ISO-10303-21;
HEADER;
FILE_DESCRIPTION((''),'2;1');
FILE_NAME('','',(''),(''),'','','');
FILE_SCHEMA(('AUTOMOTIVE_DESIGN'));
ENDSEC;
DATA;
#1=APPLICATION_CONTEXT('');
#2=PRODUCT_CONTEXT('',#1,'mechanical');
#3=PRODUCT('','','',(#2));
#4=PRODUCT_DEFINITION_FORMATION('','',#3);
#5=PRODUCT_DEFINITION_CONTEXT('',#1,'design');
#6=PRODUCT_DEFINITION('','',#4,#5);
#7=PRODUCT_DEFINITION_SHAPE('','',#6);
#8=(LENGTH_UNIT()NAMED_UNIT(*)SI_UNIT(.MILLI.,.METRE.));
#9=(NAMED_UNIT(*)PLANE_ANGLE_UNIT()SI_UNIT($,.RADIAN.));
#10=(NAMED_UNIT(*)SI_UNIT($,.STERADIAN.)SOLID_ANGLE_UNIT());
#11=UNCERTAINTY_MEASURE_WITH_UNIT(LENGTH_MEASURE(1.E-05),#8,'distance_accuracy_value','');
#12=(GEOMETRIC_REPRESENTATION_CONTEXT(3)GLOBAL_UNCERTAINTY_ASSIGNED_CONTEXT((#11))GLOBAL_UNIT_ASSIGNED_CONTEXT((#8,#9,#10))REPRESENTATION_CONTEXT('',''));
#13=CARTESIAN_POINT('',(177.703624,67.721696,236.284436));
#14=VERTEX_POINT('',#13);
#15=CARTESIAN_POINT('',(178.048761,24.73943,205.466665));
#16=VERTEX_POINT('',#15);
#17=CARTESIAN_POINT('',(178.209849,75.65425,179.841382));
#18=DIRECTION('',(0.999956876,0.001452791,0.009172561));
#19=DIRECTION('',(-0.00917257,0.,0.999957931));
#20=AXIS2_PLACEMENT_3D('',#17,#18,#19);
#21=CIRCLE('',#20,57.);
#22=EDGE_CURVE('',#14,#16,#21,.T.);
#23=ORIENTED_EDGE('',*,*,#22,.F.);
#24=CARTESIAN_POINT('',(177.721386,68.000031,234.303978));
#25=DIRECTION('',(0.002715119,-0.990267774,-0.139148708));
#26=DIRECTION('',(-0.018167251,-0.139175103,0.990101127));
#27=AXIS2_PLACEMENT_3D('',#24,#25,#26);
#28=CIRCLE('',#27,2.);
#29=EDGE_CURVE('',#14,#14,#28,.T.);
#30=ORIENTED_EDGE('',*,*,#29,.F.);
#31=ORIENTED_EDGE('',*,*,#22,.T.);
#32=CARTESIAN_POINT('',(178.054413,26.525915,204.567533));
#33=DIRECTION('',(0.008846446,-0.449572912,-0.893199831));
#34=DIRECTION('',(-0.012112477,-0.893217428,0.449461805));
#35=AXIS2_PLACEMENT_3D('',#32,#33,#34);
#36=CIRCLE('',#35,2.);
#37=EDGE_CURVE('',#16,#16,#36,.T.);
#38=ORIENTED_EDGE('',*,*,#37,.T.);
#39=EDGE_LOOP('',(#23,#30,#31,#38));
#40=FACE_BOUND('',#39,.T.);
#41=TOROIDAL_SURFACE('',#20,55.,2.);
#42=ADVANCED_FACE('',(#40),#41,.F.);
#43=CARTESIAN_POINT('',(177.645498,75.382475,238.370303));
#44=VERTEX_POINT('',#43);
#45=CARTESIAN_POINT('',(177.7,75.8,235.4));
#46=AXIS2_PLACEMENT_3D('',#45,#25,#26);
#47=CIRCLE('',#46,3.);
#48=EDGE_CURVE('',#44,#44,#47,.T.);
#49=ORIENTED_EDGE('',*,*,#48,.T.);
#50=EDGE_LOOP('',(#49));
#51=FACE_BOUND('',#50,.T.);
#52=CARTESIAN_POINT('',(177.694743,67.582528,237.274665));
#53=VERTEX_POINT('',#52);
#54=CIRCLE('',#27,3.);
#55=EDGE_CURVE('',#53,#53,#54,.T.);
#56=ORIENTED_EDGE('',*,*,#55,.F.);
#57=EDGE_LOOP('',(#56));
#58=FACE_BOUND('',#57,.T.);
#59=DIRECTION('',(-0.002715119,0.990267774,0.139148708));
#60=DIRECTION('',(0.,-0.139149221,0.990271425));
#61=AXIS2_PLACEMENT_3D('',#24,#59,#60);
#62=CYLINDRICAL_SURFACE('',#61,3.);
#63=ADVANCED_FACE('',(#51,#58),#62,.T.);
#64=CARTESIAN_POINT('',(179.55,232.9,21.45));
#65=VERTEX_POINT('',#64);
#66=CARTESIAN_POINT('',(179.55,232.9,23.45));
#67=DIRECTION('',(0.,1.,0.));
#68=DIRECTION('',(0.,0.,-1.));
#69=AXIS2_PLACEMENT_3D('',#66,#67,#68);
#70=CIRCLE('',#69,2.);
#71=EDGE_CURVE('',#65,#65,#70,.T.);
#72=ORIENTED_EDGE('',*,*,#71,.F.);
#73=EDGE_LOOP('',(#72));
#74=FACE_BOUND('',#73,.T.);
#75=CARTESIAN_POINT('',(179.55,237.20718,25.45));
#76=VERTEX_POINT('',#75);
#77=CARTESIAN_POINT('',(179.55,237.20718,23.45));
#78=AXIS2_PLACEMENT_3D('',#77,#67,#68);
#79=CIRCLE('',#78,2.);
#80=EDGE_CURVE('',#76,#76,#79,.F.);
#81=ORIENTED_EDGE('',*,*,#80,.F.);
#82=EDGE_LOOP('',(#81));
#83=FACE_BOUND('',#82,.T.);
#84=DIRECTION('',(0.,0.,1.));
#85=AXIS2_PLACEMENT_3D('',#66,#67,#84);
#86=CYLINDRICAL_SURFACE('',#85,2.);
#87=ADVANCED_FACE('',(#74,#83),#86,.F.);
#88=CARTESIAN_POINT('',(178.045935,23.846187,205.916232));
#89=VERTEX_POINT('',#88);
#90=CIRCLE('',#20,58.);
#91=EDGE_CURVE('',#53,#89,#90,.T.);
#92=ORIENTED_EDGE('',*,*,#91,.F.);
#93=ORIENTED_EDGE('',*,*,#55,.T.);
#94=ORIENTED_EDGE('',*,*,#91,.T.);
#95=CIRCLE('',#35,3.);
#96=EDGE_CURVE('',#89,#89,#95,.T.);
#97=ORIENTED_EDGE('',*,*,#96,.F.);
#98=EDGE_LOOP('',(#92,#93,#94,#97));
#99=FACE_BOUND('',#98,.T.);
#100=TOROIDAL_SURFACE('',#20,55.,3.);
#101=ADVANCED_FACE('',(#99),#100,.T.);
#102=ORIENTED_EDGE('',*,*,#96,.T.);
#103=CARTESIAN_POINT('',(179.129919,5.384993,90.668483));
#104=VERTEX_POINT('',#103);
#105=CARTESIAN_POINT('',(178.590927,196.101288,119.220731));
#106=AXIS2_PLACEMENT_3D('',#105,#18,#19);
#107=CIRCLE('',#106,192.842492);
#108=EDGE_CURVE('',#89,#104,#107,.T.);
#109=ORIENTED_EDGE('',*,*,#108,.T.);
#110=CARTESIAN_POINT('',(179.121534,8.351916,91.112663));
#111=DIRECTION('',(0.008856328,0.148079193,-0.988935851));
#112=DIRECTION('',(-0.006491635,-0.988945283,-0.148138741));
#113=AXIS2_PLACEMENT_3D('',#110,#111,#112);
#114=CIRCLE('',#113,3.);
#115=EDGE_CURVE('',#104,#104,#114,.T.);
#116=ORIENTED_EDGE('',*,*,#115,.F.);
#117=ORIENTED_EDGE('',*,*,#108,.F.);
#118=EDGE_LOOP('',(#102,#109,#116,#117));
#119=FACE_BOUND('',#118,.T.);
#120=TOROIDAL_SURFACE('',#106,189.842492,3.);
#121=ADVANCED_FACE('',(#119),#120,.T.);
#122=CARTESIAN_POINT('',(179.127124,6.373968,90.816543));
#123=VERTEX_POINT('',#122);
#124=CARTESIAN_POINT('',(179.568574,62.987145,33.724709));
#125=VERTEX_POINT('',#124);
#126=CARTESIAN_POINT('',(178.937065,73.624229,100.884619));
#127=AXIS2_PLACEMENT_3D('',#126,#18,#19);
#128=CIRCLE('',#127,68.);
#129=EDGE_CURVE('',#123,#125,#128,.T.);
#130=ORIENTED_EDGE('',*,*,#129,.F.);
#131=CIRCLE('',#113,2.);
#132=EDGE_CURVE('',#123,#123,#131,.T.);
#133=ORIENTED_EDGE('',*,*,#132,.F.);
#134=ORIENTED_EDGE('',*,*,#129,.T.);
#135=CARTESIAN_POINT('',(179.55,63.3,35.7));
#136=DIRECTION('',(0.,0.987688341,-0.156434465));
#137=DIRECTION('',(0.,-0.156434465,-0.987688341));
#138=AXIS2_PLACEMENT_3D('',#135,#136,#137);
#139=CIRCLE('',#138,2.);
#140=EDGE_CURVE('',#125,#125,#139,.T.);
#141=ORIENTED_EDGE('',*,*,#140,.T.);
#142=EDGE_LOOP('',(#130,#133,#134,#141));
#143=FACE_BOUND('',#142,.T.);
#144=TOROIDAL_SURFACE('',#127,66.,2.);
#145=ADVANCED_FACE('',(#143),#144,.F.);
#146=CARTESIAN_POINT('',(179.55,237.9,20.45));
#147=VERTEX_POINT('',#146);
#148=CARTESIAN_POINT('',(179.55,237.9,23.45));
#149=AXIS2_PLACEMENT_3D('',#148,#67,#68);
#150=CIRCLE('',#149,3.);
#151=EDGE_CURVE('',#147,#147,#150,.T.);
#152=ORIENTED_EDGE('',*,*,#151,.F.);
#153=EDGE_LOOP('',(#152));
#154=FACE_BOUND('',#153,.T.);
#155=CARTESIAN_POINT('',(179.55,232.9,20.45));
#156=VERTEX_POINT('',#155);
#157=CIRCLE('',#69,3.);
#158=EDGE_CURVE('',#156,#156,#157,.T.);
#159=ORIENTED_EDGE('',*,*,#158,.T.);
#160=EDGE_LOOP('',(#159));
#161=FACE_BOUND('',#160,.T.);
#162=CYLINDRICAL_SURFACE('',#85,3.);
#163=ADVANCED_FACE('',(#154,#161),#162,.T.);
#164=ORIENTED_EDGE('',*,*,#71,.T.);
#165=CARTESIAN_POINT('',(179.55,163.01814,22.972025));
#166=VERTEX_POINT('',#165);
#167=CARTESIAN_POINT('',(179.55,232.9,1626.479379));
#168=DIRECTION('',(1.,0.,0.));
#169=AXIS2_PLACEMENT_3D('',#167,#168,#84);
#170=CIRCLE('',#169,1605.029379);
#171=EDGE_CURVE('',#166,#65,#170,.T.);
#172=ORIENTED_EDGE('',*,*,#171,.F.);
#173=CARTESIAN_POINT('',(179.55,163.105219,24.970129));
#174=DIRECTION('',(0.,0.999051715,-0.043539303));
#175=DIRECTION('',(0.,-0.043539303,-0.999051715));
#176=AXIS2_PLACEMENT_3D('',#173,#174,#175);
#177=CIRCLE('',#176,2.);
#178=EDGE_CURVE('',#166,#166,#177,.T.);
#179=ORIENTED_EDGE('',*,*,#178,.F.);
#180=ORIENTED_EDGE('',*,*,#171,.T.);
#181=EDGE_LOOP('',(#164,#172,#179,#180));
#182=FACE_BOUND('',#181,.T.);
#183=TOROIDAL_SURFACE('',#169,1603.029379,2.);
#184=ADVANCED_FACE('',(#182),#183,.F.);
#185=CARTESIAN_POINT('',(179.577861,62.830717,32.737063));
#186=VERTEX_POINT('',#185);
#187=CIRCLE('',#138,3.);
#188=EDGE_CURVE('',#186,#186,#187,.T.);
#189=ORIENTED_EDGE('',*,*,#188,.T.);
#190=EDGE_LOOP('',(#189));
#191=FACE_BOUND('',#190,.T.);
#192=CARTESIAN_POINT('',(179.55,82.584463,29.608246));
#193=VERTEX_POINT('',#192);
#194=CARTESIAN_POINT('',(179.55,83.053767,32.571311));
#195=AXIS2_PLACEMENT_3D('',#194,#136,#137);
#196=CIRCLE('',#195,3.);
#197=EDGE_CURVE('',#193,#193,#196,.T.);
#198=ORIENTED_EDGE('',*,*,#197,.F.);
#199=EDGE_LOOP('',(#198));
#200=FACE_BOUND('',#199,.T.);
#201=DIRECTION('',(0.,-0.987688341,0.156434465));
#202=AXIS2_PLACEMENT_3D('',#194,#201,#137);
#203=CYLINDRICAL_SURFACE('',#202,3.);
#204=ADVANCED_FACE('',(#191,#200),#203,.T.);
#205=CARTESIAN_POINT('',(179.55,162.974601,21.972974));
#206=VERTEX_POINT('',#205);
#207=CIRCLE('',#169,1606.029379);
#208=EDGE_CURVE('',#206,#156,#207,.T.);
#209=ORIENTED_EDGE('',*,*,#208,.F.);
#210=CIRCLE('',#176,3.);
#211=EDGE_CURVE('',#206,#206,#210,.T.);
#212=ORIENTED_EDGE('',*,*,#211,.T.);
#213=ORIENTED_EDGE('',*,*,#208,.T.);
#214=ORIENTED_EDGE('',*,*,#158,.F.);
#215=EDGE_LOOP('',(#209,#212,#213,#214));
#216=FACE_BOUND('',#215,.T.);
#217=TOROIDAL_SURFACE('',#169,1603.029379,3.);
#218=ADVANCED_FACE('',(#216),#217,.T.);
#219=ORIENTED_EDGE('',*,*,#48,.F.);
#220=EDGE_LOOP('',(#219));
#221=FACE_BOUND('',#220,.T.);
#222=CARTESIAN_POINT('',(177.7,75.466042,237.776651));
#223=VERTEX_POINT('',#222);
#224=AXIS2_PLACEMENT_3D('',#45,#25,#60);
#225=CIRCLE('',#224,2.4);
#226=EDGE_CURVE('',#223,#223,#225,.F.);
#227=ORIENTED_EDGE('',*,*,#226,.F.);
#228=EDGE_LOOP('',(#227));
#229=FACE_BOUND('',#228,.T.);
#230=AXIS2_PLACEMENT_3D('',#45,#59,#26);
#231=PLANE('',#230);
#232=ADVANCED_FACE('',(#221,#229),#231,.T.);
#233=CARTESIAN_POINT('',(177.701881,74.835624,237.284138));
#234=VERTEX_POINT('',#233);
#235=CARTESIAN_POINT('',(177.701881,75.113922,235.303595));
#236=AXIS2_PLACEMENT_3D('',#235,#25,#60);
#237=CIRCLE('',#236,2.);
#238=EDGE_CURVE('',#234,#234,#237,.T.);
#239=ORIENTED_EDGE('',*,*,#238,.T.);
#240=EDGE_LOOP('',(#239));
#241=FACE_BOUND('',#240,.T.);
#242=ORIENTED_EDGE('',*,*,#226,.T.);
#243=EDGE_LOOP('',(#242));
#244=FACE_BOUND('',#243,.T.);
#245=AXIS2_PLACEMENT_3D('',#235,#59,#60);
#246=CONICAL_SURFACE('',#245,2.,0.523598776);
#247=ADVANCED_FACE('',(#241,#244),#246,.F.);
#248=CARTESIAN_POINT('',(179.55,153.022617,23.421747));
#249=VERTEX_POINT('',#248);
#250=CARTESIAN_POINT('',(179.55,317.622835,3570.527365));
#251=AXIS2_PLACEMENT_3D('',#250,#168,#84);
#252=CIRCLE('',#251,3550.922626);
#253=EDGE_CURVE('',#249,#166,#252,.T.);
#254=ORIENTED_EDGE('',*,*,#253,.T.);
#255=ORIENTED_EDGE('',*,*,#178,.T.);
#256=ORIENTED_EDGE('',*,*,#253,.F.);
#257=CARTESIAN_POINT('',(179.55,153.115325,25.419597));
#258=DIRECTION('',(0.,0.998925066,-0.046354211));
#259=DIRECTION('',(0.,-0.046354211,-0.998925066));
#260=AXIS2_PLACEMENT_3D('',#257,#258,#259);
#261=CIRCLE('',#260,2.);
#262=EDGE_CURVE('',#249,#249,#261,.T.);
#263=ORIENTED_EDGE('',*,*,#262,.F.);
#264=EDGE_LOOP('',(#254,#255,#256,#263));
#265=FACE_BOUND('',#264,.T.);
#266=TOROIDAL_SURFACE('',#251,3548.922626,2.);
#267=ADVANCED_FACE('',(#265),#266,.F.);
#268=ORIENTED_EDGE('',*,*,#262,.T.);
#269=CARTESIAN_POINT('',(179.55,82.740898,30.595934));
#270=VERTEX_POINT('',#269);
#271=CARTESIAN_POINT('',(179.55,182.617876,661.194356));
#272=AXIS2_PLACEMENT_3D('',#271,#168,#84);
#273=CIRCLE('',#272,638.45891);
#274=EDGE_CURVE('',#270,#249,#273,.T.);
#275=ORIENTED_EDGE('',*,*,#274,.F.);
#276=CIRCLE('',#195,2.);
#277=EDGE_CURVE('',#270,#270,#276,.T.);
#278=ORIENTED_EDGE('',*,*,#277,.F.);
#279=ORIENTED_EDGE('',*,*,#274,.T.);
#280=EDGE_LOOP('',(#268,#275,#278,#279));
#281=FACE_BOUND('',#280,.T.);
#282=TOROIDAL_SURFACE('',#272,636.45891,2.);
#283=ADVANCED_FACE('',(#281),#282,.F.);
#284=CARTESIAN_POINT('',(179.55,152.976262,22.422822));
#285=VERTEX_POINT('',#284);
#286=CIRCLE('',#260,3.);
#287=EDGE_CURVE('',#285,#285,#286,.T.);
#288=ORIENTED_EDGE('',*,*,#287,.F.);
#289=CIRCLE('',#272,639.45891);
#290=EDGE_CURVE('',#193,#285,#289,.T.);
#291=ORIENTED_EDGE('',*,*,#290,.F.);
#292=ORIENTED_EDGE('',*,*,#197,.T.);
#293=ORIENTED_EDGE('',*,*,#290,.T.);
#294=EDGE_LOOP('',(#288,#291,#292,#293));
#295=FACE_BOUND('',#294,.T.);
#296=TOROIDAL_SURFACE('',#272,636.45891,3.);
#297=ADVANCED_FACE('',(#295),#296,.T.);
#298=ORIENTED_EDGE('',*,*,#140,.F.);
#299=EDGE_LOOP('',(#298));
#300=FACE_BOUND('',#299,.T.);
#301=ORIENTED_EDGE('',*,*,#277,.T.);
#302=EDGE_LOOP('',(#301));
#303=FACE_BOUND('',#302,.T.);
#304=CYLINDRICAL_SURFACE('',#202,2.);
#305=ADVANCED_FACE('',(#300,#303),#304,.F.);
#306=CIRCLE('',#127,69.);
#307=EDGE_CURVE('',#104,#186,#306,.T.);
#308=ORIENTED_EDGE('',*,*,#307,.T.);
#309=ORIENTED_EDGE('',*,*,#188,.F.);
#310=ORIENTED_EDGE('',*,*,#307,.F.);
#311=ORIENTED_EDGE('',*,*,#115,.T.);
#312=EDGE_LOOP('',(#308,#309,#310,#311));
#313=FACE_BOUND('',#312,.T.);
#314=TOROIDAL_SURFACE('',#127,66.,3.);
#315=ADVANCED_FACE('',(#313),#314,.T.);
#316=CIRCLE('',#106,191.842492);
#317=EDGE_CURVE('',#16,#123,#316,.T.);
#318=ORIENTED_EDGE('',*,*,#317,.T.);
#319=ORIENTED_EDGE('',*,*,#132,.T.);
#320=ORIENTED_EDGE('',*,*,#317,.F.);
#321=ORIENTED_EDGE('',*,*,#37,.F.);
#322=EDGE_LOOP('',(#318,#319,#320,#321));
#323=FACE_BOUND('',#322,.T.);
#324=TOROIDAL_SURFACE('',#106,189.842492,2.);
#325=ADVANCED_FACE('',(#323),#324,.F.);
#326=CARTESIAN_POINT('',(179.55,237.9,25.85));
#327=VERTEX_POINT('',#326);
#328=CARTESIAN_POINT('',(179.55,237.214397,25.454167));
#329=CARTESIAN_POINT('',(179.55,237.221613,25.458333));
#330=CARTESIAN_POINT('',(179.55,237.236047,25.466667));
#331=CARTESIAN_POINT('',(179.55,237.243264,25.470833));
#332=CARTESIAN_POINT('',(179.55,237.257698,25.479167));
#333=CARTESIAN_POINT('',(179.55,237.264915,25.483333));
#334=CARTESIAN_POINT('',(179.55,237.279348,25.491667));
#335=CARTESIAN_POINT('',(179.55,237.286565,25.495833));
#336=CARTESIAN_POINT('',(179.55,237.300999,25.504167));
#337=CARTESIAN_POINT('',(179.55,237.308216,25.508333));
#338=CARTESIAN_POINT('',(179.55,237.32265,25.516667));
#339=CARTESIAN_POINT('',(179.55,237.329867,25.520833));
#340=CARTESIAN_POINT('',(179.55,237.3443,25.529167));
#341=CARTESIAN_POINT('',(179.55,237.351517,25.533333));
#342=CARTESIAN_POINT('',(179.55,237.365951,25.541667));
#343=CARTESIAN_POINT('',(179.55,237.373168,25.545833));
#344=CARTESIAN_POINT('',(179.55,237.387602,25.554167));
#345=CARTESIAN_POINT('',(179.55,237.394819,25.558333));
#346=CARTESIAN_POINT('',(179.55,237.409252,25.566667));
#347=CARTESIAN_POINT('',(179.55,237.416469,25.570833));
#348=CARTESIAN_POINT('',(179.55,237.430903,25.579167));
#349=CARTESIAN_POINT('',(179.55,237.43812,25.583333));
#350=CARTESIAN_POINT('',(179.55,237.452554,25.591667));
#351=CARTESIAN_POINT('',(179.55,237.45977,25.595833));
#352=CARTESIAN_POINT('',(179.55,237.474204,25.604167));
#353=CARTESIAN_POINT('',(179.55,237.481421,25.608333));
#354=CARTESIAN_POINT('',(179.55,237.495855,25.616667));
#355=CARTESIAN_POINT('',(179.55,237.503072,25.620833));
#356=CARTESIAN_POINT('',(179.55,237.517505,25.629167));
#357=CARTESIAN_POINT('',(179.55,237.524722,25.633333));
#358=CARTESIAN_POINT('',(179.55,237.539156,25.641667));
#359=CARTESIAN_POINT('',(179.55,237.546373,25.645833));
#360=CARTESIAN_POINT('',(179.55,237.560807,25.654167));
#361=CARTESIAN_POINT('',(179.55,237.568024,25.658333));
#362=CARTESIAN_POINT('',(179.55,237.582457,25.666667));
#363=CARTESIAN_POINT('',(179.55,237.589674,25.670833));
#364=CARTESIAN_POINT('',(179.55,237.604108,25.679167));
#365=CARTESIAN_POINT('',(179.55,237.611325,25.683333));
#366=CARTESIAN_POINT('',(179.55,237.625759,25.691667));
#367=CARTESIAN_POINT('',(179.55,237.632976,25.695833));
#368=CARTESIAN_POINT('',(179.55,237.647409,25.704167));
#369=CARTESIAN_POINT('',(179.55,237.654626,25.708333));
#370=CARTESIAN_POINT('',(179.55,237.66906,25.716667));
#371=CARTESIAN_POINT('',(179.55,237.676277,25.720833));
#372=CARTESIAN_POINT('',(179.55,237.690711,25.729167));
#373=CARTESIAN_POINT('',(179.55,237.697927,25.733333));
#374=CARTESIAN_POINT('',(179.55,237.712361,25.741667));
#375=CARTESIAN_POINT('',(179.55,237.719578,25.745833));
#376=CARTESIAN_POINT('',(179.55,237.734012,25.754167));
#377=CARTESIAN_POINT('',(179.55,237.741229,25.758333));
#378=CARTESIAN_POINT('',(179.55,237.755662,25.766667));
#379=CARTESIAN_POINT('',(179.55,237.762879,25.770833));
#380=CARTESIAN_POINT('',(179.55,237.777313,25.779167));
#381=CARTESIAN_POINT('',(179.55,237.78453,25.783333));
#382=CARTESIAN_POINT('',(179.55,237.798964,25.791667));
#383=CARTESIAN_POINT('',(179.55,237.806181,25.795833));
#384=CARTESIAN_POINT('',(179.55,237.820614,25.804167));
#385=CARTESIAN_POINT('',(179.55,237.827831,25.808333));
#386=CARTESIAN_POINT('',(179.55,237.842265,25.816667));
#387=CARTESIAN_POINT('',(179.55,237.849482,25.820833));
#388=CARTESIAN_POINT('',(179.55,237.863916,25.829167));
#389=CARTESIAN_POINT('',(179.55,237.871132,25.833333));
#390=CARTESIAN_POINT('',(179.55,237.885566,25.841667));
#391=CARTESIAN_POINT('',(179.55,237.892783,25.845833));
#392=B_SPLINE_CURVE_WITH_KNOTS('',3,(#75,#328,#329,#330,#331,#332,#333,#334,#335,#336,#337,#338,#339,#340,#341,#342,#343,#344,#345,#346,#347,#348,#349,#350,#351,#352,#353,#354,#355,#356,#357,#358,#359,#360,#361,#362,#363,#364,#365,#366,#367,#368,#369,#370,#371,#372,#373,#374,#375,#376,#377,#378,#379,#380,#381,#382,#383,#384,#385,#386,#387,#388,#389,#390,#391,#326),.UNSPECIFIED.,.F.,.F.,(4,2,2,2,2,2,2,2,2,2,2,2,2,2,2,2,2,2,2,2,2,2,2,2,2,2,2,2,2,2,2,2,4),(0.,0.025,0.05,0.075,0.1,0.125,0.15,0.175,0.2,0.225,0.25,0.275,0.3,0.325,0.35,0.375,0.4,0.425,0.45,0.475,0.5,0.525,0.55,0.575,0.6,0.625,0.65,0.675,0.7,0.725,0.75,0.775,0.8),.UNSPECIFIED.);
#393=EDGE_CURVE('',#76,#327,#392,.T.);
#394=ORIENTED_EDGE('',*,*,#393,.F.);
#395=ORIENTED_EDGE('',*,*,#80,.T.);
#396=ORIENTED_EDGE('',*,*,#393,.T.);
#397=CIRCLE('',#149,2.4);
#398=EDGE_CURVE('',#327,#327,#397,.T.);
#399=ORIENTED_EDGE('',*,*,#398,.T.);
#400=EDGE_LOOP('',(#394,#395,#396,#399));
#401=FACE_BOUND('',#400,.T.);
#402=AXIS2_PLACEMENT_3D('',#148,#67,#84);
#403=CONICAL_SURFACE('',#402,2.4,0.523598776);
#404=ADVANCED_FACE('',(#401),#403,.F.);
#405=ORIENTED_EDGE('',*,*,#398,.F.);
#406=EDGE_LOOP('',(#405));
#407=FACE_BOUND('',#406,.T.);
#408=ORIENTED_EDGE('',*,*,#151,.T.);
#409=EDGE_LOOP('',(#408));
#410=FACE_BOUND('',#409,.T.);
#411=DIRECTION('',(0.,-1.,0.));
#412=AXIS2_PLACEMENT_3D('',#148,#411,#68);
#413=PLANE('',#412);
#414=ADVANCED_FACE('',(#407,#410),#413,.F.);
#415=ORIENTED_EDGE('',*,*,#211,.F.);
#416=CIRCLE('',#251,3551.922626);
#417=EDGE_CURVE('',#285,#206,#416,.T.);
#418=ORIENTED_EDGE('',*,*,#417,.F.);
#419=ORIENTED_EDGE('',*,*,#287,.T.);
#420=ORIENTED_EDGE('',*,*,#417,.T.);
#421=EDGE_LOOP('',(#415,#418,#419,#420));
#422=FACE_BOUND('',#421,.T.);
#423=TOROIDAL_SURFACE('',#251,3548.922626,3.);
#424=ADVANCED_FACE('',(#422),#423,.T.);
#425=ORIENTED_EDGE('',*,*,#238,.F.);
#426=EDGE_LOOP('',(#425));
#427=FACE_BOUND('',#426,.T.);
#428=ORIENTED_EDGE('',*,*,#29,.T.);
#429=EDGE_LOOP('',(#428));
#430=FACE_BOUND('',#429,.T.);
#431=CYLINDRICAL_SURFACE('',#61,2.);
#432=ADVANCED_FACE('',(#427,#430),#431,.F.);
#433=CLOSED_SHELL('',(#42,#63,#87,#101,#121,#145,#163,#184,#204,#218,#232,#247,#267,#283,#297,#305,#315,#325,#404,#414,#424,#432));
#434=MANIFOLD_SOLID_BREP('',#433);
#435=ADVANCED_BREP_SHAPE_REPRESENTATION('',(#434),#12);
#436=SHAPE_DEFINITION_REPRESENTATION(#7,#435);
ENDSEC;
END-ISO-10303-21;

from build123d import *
from OCP.BRepFilletAPI import BRepFilletAPI_MakeChamfer

# Parameters (mm, degrees)
PERFIL_BOWDEN_R   = 3
PERFIL_BOWDEN_R_2 = 2
CHAFL_N2_SIZE     = 0.4
CHAFL_N2_SIZE2    = 0.692820323


with BuildPart() as part:
    # Barrer1: sweep along a curve in space
    with BuildLine() as barrer1_path:
        Line((-179.55, 237.9, 23.45), (-179.55, 232.9, 23.45))
        ThreePointArc((-179.55, 232.9, 23.45), (-179.55, 197.994333352, 23.830077258), (-179.55, 163.105218927, 24.970128802))
        ThreePointArc((-179.55, 163.105218927, 24.970128802), (-179.55, 158.110113707, 25.191344172), (-179.55, 153.115325109, 25.419596817))
        ThreePointArc((-179.55, 153.115325109, 25.419596817), (-179.55, 117.985550969, 28.025652191), (-179.55, 83.053766812, 32.571310699))
        Line((-179.55, 78.115325109, 33.353483024), (-179.55, 83.053766812, 32.571310699))
        Line((-179.55, 78.115325109, 33.353483024), (-179.55, 63.3, 35.7))
        ThreePointArc((-179.55, 63.3, 35.7), (-179.431411326, 26.758540491, 54.415674643), (-179.12153359, 8.351916444, 91.11266322))
        ThreePointArc((-179.12153359, 8.351916444, 91.11266322), (-178.587827908, 8.648566253, 149.248196445), (-178.054412898, 26.525914631, 204.567532573))
        ThreePointArc((-177.721385977, 68.000031071, 234.303977662), (-177.846418952, 43.604990817, 224.537163783), (-178.054412898, 26.525914631, 204.567532573))
        Line((-177.7, 75.8, 235.4), (-177.721385977, 68.000031071, 234.303977662))
    # Perfil bowden → Barrer1 (sweep)
    with BuildSketch(Plane(origin=(-179.55, 237.9, 23.45), x_dir=(-1, 0, 0), z_dir=(0, -1, 0))):
        Circle(PERFIL_BOWDEN_R)
        Circle(PERFIL_BOWDEN_R_2, mode=Mode.SUBTRACT)
    sweep(path=barrer1_path.line)

    # Chaflán2: one chamfer whose edges measure the first distance from different faces: ONE call of the kernel's chamfer builder (chamfer() names one face for all edges)
    chafl_n2_edges_1 = [part.edges().sort_by_distance(p)[0] for p in [
        (-175.700337449, 75.799679414, 235.363263359),
    ]]
    chafl_n2_side_1 = [part.faces().sort_by_distance(p)[0] for p in [
        (-174.785344671, 75.799532723, 235.346453642),
    ]]
    chafl_n2_edges_2 = [part.edges().sort_by_distance(p)[0] for p in [
        (-177.55, 237.9, 23.45),
    ]]
    chafl_n2_side_2 = [part.faces().sort_by_distance(p)[0] for p in [
        (-176.634852814, 237.9, 23.45),
    ]]
    chafl_n2 = BRepFilletAPI_MakeChamfer(part.part.solid().wrapped)
    for e in chafl_n2_edges_1:
        chafl_n2.Add(CHAFL_N2_SIZE, CHAFL_N2_SIZE2, e.wrapped, chafl_n2_side_1[0].wrapped)  # the first distance lies on this face
    for e in chafl_n2_edges_2:
        chafl_n2.Add(CHAFL_N2_SIZE, CHAFL_N2_SIZE2, e.wrapped, chafl_n2_side_2[0].wrapped)  # the first distance lies on this face
    add(Compound.cast(chafl_n2.Shape()), mode=Mode.REPLACE)


with BuildPart() as body_2:
    # Simetría2: mirrored copy
    add(part.part.mirror(Plane(origin=(0, 0, 0), x_dir=(0, 0, 1), z_dir=(1, 0, 0))))


solid = body_2.part
